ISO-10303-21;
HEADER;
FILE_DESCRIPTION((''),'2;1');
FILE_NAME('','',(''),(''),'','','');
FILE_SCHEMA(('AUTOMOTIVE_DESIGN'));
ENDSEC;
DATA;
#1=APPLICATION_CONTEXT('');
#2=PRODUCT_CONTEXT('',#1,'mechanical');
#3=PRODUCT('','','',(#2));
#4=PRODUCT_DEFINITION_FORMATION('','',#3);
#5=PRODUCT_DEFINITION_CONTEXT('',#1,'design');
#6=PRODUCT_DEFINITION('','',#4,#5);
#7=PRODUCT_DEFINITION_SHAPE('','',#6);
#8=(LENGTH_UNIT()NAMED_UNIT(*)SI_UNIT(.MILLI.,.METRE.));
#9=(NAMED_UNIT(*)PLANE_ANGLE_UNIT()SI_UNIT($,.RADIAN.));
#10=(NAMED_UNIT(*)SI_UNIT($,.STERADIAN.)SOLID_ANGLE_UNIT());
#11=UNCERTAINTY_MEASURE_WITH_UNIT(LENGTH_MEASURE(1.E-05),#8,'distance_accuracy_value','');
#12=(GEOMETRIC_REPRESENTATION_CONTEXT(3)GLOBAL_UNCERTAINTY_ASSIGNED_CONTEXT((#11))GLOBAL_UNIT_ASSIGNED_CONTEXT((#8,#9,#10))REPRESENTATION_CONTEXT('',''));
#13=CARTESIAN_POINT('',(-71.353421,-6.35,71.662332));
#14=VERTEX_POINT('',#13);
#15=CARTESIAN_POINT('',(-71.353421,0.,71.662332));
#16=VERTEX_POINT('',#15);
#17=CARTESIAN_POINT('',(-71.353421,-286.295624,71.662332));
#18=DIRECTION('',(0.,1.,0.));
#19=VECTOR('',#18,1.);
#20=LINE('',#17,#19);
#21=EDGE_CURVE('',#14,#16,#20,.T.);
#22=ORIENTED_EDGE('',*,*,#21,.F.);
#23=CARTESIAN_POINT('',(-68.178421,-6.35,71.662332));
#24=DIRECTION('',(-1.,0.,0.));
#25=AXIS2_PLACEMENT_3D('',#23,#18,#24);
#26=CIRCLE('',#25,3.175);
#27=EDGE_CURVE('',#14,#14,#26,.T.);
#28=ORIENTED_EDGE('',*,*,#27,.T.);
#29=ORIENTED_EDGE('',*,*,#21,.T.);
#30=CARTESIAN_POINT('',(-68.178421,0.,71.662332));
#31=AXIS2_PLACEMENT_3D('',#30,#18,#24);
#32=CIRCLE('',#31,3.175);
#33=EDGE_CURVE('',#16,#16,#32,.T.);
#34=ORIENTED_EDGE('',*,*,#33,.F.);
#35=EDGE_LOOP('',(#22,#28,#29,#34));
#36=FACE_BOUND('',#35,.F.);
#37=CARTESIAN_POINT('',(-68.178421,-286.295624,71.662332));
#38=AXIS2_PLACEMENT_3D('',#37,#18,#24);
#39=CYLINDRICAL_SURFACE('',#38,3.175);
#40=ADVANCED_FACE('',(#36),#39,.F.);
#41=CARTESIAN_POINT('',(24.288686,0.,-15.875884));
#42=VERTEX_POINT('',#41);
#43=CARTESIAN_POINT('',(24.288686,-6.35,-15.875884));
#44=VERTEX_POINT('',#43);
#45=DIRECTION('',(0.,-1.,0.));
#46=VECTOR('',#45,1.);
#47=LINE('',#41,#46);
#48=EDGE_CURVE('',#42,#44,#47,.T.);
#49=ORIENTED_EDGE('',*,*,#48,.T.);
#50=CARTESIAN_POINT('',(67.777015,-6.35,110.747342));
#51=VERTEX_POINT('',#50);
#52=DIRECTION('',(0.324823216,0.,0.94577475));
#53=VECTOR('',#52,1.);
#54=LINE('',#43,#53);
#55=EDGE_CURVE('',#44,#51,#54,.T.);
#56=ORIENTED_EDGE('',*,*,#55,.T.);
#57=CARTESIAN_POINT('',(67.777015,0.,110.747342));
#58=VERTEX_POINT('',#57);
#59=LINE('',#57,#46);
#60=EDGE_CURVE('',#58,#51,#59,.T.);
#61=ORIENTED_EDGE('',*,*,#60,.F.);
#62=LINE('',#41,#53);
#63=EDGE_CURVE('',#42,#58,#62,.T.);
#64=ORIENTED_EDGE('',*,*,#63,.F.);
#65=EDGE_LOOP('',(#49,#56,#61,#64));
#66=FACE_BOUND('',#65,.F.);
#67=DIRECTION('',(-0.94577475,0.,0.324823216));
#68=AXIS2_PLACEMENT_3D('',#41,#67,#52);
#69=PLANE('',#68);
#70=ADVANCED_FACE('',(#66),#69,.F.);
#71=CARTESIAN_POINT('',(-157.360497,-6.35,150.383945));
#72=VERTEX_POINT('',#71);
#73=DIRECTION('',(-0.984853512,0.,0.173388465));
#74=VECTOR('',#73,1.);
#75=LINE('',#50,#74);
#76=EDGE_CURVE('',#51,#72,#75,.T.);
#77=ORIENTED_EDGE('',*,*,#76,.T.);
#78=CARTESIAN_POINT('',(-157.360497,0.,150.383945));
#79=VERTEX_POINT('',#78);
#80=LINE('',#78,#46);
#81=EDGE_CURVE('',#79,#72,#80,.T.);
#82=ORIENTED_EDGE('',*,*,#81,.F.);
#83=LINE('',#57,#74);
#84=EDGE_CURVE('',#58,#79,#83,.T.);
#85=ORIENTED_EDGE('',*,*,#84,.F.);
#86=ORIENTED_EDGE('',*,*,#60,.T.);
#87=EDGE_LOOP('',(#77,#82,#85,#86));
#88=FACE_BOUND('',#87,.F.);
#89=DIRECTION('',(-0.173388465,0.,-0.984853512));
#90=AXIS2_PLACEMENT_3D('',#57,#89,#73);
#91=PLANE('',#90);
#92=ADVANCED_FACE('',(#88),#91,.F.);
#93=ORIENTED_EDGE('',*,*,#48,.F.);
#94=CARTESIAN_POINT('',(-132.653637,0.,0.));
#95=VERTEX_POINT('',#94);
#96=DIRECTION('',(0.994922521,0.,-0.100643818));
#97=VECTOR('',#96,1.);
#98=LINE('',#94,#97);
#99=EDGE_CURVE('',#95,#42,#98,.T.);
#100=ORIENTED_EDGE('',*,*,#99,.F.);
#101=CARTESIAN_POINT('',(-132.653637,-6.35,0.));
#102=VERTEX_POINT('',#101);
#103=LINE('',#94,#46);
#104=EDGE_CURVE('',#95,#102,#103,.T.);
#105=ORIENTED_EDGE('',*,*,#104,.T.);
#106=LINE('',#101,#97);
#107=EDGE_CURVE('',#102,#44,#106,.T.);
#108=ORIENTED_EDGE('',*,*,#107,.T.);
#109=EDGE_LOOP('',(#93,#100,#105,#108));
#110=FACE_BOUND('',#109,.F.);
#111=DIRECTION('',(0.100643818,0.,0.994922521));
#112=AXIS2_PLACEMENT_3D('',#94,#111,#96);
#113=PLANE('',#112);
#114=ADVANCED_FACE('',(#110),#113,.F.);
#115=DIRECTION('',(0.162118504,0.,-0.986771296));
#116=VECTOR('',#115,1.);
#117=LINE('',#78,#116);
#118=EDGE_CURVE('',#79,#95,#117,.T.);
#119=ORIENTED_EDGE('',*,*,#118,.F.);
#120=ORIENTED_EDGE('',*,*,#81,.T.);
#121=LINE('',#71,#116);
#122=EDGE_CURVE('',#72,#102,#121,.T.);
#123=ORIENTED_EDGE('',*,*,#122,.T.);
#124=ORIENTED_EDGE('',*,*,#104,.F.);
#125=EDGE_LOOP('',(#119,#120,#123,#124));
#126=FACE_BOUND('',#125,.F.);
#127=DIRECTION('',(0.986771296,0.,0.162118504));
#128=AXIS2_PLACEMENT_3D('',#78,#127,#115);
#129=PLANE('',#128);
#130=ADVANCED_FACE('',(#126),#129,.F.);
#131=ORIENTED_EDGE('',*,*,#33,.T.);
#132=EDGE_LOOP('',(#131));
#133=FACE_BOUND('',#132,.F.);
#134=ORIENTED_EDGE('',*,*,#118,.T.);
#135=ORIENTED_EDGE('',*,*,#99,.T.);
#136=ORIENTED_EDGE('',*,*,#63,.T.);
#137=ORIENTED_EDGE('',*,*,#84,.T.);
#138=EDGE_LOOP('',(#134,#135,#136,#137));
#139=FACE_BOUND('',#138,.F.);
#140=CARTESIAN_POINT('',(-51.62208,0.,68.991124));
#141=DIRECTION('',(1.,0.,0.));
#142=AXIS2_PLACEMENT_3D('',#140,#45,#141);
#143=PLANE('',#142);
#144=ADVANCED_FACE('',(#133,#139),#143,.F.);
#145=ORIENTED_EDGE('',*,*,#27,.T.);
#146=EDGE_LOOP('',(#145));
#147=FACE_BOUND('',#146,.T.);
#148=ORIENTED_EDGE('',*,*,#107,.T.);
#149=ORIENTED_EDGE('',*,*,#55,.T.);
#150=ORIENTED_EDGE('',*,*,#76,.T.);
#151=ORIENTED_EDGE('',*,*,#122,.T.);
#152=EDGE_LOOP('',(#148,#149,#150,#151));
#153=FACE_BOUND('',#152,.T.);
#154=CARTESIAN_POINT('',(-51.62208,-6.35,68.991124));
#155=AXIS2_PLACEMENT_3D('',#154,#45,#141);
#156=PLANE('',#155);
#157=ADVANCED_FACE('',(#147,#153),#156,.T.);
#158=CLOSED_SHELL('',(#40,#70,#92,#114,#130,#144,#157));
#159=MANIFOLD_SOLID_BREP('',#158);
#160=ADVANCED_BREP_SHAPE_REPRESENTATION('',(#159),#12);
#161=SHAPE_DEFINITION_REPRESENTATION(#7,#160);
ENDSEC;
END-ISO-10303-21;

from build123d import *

# Parameters (mm, degrees)
F1_DEPTH = 6.35
F3_D     = 6.35


with BuildPart() as f1:
    # F0 (on Front) → F1 (new body)
    with BuildSketch(Plane.XZ):
        Polygon((67.777015, 110.747342), (-157.360497, 150.383945), (-132.653637, 0), (24.288686, -15.875884), align=None)
    extrude(amount=F1_DEPTH)

    # F3 (through all)
    with Locations(Plane.XZ.offset(6.35)):
        with Locations((-68.178421, 71.662332)):
            Hole(F3_D / 2)


solid = f1.part
